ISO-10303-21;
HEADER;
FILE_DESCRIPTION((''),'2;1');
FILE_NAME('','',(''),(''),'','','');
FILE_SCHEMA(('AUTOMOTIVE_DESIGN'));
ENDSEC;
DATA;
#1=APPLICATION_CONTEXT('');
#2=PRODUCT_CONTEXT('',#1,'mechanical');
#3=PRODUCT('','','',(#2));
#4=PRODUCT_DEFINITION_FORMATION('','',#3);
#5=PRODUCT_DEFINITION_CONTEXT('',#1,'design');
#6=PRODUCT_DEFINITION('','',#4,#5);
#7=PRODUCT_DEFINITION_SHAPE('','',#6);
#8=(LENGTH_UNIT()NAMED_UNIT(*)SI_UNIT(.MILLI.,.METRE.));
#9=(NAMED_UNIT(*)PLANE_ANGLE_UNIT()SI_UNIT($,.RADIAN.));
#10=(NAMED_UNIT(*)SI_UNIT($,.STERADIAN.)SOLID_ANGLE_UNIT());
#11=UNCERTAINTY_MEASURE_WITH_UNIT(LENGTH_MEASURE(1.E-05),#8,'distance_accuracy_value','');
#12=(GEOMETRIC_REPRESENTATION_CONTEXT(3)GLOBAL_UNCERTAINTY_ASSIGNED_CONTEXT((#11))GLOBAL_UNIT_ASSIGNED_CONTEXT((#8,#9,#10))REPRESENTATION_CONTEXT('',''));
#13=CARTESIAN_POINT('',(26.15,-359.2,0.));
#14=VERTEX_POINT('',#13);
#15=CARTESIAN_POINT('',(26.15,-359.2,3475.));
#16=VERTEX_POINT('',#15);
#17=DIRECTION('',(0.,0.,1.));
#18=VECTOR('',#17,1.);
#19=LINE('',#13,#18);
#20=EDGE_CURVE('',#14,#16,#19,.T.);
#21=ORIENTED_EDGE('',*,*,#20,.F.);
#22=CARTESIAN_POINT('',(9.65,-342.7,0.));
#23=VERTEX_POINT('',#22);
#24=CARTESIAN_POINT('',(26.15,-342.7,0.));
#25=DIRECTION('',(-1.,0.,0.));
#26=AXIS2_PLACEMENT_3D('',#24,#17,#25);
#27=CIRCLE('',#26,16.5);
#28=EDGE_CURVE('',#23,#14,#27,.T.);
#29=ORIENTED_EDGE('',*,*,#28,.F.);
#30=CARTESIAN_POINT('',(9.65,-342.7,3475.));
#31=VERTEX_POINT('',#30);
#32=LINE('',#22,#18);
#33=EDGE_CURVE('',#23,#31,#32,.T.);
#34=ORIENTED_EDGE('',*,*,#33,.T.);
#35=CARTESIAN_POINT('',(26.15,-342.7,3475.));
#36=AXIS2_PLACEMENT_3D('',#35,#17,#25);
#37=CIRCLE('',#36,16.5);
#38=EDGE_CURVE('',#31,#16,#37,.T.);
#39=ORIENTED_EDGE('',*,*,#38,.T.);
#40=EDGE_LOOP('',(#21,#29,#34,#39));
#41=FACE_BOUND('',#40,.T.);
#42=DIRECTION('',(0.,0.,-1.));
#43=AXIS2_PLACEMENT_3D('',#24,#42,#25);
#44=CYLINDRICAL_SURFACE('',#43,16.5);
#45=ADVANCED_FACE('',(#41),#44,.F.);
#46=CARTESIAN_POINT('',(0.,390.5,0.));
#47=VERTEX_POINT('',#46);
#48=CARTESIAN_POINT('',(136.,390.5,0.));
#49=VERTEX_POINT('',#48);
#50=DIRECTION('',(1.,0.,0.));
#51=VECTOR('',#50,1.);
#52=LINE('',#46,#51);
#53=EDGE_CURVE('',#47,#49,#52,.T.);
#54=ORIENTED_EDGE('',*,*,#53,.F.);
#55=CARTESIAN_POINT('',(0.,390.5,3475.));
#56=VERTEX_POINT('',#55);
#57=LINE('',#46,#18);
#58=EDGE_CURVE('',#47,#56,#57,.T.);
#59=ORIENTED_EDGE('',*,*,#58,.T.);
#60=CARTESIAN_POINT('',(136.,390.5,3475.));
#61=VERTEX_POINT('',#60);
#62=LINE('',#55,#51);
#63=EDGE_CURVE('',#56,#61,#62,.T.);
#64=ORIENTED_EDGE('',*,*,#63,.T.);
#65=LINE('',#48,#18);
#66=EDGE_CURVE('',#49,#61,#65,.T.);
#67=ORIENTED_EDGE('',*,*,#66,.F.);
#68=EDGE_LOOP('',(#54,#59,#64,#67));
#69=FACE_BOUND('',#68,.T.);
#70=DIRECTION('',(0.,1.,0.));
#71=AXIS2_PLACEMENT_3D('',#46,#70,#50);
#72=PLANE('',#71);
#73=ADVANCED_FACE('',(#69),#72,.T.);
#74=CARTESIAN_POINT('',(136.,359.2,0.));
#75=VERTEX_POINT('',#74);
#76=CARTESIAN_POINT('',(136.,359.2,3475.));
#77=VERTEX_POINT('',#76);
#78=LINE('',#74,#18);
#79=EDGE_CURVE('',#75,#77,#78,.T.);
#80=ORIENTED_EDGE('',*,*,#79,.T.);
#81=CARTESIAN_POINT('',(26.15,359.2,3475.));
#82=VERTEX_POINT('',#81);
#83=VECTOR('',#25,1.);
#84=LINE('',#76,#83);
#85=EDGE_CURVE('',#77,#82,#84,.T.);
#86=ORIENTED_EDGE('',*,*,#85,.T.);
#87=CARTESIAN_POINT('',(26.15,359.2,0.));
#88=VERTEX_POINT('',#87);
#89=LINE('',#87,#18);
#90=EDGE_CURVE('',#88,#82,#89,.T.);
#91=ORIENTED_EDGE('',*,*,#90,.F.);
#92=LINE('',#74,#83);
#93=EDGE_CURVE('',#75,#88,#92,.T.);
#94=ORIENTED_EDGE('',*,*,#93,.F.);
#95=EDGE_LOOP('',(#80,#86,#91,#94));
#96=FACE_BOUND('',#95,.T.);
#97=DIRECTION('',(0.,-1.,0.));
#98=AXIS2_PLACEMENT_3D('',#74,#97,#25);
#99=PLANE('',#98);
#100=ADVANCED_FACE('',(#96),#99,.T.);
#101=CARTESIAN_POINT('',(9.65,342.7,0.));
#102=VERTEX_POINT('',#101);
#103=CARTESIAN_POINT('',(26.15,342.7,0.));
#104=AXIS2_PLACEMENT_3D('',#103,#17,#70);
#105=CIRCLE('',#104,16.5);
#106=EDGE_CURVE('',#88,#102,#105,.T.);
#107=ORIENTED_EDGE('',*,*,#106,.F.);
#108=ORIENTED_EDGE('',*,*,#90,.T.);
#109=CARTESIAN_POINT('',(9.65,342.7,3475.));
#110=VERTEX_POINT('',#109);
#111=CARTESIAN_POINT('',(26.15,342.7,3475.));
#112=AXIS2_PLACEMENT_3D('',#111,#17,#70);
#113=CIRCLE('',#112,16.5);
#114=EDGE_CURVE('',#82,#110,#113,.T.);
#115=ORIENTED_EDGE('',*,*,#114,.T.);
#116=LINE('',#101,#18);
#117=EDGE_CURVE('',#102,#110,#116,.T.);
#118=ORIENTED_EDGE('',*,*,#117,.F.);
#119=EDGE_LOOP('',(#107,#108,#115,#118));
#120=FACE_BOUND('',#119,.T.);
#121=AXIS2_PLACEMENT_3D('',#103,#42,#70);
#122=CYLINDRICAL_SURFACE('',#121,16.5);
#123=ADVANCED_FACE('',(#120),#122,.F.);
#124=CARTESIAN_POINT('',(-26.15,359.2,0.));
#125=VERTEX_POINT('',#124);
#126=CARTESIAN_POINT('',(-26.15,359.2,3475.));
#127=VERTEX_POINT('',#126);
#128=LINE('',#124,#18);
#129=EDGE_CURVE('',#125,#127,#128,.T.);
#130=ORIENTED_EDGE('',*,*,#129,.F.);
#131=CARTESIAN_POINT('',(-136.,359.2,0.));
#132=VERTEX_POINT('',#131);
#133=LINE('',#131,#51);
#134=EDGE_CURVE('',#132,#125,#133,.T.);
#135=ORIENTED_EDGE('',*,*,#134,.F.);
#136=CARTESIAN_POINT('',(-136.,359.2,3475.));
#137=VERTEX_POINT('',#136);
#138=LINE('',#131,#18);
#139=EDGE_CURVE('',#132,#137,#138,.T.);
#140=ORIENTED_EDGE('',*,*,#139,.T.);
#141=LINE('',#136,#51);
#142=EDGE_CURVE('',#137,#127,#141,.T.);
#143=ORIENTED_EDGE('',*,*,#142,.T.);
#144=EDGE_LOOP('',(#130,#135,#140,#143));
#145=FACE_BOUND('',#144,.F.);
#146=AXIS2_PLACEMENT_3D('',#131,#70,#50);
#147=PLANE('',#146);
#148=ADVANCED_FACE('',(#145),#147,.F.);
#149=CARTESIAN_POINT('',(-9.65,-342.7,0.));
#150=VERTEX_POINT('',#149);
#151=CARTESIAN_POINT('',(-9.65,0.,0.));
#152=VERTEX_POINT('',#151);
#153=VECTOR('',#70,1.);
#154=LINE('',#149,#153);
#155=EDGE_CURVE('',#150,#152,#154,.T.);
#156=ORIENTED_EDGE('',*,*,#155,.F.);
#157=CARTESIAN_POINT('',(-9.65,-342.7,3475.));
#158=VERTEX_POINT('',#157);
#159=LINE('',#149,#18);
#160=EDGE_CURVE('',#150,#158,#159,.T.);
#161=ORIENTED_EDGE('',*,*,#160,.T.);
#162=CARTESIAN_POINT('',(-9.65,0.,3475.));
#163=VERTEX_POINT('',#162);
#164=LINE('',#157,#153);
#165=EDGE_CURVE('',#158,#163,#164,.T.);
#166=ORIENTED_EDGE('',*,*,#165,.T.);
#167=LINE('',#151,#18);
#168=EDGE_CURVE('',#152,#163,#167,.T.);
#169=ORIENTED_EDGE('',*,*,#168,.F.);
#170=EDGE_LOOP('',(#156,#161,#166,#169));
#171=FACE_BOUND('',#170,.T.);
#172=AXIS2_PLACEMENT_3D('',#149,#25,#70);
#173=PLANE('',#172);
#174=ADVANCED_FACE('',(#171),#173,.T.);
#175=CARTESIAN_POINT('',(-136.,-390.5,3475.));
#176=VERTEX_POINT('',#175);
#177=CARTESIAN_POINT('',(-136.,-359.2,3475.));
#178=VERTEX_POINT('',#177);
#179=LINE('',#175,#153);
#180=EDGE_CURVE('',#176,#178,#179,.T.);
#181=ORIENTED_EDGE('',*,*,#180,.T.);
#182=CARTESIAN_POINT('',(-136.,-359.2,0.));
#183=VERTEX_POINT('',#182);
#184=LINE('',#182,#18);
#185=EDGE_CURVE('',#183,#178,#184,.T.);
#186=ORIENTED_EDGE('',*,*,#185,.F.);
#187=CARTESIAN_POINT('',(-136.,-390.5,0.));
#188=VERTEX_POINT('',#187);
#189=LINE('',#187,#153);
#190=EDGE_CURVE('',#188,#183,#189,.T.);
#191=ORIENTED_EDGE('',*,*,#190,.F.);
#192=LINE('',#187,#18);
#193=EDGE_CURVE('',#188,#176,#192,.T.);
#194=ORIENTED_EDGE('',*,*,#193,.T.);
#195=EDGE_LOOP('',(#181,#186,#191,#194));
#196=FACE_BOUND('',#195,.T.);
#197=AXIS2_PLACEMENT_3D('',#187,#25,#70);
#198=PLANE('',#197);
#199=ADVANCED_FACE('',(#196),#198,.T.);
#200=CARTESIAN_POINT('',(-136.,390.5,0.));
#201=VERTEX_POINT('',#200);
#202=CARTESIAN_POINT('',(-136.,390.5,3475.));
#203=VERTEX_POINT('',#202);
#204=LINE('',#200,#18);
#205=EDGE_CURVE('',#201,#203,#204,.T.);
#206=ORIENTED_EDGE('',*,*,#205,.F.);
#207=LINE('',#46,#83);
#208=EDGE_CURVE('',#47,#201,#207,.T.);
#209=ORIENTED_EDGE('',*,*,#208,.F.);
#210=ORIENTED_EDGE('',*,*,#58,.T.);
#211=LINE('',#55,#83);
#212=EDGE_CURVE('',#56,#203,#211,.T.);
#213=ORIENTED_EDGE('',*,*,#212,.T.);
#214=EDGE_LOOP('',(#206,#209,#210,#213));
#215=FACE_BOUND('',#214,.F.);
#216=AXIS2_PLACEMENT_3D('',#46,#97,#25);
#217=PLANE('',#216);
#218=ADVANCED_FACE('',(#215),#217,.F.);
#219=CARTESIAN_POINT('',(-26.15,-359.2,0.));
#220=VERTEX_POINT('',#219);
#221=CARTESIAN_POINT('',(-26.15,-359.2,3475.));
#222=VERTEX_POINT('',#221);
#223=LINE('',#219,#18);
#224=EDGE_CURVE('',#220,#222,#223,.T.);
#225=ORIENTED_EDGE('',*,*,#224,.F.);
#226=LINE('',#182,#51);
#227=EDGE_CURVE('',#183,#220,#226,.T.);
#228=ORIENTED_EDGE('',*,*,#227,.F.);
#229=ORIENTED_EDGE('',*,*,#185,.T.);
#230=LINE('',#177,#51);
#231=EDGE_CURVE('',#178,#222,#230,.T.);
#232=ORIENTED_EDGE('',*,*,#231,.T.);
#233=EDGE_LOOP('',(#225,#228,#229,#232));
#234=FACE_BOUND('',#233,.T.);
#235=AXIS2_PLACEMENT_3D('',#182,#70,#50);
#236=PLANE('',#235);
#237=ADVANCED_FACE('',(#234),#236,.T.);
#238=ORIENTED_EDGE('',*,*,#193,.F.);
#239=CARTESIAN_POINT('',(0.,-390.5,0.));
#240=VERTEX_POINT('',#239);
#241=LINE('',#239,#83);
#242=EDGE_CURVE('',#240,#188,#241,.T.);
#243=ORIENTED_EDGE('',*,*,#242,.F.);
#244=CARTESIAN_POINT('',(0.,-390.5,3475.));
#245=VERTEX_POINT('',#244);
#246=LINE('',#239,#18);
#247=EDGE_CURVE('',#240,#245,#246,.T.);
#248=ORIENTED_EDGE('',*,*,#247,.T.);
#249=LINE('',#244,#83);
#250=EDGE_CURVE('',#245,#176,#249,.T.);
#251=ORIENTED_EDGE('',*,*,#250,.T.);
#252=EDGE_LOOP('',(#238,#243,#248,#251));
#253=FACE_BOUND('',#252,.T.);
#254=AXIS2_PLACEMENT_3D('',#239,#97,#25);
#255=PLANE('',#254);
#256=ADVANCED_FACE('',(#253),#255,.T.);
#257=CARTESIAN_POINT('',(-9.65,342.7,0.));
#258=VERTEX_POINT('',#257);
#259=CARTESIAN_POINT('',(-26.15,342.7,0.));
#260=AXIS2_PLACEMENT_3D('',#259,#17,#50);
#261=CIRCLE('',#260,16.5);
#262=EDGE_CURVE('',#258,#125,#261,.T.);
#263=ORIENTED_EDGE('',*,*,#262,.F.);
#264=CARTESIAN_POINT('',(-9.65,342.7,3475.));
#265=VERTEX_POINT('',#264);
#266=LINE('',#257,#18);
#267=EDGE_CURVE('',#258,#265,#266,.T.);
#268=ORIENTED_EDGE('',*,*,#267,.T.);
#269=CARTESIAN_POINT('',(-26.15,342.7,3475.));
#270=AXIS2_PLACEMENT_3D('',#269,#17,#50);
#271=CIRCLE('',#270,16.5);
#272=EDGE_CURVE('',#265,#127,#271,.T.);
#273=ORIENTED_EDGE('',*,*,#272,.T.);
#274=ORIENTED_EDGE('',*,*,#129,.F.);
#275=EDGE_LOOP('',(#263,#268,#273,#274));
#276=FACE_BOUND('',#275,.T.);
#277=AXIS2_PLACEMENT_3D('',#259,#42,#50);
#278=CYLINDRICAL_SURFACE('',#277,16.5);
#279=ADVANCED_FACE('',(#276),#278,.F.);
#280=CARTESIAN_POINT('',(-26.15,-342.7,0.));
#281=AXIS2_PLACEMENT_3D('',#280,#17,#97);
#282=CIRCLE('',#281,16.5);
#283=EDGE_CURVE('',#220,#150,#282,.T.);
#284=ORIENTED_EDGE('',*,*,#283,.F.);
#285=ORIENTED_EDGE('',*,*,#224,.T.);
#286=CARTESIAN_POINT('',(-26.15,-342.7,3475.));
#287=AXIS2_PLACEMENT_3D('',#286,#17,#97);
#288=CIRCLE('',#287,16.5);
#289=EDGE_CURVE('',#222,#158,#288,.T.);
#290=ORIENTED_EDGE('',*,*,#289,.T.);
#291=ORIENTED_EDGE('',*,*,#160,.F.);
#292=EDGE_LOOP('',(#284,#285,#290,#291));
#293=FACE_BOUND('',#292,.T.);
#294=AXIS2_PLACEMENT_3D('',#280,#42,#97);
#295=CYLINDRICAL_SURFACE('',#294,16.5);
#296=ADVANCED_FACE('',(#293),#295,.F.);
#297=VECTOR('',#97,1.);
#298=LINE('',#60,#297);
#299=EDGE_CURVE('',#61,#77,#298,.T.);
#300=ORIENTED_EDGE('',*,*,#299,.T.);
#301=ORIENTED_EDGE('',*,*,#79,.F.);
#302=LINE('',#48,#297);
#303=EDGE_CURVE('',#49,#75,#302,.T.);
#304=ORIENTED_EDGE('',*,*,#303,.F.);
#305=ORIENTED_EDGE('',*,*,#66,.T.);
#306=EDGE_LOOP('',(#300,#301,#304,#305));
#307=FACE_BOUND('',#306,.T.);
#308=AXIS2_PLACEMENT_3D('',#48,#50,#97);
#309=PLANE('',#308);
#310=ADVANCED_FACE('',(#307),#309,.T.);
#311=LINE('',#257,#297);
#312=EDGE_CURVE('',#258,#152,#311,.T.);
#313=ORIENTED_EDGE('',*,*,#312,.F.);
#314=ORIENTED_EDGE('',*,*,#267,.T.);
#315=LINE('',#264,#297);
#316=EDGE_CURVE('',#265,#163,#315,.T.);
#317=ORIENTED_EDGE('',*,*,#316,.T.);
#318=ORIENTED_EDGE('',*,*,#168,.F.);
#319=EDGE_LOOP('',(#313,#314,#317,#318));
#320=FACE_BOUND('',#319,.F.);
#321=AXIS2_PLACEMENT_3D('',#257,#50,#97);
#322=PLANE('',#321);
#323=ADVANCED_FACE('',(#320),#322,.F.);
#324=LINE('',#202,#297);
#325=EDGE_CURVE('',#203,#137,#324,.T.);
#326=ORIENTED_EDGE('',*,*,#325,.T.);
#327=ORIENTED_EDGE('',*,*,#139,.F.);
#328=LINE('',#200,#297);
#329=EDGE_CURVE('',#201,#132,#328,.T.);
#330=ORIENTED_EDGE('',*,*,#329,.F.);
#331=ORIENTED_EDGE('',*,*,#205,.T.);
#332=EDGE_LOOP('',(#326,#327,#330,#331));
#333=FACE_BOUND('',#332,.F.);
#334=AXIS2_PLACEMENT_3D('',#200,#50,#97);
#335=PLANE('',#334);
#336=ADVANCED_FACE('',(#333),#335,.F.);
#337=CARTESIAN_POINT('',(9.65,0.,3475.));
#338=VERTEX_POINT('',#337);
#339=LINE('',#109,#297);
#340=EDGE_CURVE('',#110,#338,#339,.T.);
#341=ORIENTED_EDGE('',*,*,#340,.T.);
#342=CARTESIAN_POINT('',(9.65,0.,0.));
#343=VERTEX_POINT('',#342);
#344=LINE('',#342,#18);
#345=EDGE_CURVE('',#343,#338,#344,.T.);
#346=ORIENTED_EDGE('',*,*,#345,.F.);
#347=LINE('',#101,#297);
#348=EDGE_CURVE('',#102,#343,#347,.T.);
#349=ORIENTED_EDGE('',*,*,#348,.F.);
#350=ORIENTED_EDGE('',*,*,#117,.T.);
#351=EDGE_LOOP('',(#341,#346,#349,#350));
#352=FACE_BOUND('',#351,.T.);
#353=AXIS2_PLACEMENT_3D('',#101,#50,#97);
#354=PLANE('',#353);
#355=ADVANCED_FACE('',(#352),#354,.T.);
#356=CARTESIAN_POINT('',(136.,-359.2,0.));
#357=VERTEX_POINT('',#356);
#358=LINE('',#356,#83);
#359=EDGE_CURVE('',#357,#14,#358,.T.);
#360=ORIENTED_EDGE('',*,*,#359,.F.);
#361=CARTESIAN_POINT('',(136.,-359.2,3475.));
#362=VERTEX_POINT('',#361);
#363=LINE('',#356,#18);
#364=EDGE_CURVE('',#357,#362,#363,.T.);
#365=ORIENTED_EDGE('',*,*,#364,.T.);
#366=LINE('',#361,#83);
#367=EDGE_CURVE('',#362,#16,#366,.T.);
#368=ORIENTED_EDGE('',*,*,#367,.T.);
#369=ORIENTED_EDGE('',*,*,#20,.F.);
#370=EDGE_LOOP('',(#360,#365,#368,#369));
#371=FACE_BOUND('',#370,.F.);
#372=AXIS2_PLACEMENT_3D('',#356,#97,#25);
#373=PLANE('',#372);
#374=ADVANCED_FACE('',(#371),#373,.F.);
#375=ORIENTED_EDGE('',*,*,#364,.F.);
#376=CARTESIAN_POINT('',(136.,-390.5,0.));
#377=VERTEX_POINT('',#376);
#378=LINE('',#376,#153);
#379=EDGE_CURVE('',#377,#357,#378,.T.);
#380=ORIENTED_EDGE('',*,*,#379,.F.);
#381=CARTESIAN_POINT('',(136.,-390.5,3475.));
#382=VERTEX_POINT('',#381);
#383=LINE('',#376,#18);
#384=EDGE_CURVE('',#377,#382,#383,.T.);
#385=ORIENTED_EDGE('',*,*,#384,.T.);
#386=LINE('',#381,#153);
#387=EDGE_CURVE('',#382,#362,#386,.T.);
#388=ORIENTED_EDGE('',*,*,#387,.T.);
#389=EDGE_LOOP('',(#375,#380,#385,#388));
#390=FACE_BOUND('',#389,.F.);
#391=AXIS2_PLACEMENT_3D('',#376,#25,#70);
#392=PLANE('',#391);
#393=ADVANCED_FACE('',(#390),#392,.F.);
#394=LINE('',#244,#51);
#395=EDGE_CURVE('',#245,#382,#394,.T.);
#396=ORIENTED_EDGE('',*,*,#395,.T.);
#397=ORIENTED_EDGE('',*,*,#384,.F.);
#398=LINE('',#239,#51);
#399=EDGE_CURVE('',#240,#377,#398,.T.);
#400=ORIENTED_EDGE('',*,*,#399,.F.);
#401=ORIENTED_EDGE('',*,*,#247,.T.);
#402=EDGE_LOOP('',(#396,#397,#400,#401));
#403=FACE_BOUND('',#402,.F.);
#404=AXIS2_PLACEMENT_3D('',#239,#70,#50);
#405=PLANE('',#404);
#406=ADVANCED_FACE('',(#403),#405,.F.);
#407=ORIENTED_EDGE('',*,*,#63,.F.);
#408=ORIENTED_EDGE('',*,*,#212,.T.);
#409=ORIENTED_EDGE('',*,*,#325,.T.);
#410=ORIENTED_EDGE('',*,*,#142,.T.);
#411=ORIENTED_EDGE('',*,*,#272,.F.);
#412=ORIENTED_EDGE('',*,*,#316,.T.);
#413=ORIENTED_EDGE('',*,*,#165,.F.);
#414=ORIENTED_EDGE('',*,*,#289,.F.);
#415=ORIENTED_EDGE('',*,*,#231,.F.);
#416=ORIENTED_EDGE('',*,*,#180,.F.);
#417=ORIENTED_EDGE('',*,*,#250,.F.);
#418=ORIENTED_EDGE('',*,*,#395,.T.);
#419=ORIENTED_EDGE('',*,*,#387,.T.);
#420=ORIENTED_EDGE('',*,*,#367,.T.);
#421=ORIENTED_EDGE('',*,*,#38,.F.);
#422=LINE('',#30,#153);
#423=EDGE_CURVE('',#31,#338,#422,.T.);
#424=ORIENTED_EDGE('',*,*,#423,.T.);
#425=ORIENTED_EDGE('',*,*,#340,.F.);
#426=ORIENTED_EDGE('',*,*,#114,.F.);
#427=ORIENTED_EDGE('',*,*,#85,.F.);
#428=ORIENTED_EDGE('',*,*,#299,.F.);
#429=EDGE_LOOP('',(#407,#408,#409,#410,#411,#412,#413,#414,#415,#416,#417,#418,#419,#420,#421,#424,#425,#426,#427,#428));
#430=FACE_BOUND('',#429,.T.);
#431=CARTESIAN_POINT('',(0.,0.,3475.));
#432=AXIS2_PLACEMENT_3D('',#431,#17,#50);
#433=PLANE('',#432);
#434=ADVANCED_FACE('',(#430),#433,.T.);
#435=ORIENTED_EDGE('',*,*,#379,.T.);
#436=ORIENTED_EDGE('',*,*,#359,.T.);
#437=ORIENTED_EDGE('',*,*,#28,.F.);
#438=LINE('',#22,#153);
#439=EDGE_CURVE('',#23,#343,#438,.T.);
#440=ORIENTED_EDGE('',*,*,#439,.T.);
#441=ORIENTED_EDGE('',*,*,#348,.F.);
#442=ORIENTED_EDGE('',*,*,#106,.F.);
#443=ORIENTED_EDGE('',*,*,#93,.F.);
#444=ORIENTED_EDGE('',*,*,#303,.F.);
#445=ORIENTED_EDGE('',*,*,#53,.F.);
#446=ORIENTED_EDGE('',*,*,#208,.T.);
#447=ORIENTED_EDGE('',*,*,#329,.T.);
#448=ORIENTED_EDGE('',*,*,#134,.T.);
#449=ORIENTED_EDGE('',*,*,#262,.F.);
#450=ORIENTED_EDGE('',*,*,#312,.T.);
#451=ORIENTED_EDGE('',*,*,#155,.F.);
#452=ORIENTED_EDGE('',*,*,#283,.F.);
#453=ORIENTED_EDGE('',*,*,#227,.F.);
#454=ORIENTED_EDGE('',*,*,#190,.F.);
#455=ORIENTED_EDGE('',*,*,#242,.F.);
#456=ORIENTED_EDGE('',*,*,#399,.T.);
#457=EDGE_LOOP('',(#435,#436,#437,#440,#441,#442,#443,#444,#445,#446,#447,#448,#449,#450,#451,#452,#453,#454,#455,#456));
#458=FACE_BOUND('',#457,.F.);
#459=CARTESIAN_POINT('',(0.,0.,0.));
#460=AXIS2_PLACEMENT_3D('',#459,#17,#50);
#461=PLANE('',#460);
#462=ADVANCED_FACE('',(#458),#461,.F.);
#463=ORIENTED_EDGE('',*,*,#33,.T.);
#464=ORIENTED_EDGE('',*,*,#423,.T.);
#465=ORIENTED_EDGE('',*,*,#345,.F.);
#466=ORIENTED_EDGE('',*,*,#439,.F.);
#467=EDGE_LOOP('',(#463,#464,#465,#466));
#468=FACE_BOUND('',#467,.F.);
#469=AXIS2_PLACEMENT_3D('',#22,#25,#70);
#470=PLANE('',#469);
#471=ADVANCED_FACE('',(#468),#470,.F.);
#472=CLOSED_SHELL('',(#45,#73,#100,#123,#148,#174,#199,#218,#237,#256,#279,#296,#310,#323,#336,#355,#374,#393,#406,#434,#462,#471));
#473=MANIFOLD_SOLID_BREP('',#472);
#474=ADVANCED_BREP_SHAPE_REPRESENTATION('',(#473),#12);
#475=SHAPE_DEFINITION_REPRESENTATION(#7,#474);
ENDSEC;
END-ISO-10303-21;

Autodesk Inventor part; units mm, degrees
ref_plane "YZ Plane" through (0, 0, 0) normal (1, 0, 0) x (0, 1, 0)
ref_plane "Start plane" through (0, 0, 0) normal (0, 0, 1) x (1, 0, 0)
ref_plane "End plane" through (0, 0, 3475) normal (0, 0, 1) x (1, 0, 0)
sketch "Sketch" plane through (0, 0, 0) normal (0, 0, 1) x (1, 0, 0)
  line L0 (-136, -390.5) -> (-136, -359.2)
  line L1 (-136, -359.2) -> (-26.15, -359.2)
  line L2 (-9.65, -342.7) -> (-9.65, 0)
  line L3 (-9.65, 0) -> (0, 0) construction
  line L4 (0, 0) -> (0, -390.5) construction
  line L5 (0, -390.5) -> (-136, -390.5)
  line L6 (-60, 0) -> (80, 0) construction
  line L7 (0, -60) -> (0, 80) construction
  line L8 (136, -390.5) -> (136, -359.2)
  line L9 (136, -359.2) -> (26.15, -359.2)
  line L10 (9.65, -342.7) -> (9.65, 0)
  line L11 (9.65, 0) -> (0, 0) construction
  line L12 (0, -390.5) -> (136, -390.5)
  line L13 (-136, 390.5) -> (-136, 359.2)
  line L14 (-136, 359.2) -> (-26.15, 359.2)
  line L15 (-9.65, 342.7) -> (-9.65, 0)
  line L16 (0, 390.5) -> (-136, 390.5)
  line L17 (136, 390.5) -> (136, 359.2)
  line L18 (136, 359.2) -> (26.15, 359.2)
  line L19 (0, 390.5) -> (136, 390.5)
  line L20 (9.65, 342.7) -> (9.65, 0)
  arc A0 (-9.65, 342.7) -> (-26.15, 359.2) centre (-26.15, 342.7) ccw
  arc A1 (26.15, 359.2) -> (9.65, 342.7) centre (26.15, 342.7) ccw
  arc A2 (9.65, -342.7) -> (26.15, -359.2) centre (26.15, -342.7) ccw
  arc A3 (-26.15, -359.2) -> (-9.65, -342.7) centre (-26.15, -342.7) ccw
  line L21 (0, 108) -> (0, -88) construction
  line L22 (-88, 0) -> (108, 0) construction
  point P0 (-9.65, -359.2)
  point P1 (9.65, -359.2)
  point P2 (-9.65, 359.2)
  point P3 (9.65, 359.2)
  dimension "d1" = 390.5
  dimension "d2" = 31.3
  dimension "d3" = 136
  dimension "d4" = 9.65
  dimension "d10" = 16.5
extrude "Body" add sketch "Sketch" along normal up to surface (3475 mm away) from surface at 0
sketch "Sketch4" plane through (0, 0, 0) normal (0, 0, 1) x (1, 0, 0)
  line L0 (0, 0) -> (10, 0)
ref_plane "Work Plane3" through (0, 0, 0) normal (0, -1, 0) x (1, 0, 0)
sketch "Sketch5" plane through (0, 0, 0) normal (0, -1, 0) x (1, 0, 0)
  line L0 (-2, 0) -> (12, 0) projected
  line L1 (-2, 3475) -> (12, 3475) projected
  dimension "d14" = 3475
equation "\"d1\" = 0.5 * G_H"
equation "\"d2\" = G_T1"
equation "\"d3\" = 0.5 * G_W"
equation "\"d4\" = 0.5 * G_T"
equation "\"d10\" = G_IR"
equation "\"d5\" = G_L"
equation "\"G_W\" = 272"
equation "\"G_H\" = 781"
equation "\"G_T\" = 19.3"
equation "\"G_T1\" = 31.3"
equation "\"G_IR\" = 16.5"
equation "\"G_L\" = d14"
equation "\"G_OFFSET_START\" = 0"
equation "\"G_OFFSET_END\" = 0"
equation "\"d12\" = G_OFFSET_END + B_L"
equation "\"B_L\" = 3475"
properties part number "AS 3679-1990 - 760 UB - 244 - 3475" material "Steel, Mild"
